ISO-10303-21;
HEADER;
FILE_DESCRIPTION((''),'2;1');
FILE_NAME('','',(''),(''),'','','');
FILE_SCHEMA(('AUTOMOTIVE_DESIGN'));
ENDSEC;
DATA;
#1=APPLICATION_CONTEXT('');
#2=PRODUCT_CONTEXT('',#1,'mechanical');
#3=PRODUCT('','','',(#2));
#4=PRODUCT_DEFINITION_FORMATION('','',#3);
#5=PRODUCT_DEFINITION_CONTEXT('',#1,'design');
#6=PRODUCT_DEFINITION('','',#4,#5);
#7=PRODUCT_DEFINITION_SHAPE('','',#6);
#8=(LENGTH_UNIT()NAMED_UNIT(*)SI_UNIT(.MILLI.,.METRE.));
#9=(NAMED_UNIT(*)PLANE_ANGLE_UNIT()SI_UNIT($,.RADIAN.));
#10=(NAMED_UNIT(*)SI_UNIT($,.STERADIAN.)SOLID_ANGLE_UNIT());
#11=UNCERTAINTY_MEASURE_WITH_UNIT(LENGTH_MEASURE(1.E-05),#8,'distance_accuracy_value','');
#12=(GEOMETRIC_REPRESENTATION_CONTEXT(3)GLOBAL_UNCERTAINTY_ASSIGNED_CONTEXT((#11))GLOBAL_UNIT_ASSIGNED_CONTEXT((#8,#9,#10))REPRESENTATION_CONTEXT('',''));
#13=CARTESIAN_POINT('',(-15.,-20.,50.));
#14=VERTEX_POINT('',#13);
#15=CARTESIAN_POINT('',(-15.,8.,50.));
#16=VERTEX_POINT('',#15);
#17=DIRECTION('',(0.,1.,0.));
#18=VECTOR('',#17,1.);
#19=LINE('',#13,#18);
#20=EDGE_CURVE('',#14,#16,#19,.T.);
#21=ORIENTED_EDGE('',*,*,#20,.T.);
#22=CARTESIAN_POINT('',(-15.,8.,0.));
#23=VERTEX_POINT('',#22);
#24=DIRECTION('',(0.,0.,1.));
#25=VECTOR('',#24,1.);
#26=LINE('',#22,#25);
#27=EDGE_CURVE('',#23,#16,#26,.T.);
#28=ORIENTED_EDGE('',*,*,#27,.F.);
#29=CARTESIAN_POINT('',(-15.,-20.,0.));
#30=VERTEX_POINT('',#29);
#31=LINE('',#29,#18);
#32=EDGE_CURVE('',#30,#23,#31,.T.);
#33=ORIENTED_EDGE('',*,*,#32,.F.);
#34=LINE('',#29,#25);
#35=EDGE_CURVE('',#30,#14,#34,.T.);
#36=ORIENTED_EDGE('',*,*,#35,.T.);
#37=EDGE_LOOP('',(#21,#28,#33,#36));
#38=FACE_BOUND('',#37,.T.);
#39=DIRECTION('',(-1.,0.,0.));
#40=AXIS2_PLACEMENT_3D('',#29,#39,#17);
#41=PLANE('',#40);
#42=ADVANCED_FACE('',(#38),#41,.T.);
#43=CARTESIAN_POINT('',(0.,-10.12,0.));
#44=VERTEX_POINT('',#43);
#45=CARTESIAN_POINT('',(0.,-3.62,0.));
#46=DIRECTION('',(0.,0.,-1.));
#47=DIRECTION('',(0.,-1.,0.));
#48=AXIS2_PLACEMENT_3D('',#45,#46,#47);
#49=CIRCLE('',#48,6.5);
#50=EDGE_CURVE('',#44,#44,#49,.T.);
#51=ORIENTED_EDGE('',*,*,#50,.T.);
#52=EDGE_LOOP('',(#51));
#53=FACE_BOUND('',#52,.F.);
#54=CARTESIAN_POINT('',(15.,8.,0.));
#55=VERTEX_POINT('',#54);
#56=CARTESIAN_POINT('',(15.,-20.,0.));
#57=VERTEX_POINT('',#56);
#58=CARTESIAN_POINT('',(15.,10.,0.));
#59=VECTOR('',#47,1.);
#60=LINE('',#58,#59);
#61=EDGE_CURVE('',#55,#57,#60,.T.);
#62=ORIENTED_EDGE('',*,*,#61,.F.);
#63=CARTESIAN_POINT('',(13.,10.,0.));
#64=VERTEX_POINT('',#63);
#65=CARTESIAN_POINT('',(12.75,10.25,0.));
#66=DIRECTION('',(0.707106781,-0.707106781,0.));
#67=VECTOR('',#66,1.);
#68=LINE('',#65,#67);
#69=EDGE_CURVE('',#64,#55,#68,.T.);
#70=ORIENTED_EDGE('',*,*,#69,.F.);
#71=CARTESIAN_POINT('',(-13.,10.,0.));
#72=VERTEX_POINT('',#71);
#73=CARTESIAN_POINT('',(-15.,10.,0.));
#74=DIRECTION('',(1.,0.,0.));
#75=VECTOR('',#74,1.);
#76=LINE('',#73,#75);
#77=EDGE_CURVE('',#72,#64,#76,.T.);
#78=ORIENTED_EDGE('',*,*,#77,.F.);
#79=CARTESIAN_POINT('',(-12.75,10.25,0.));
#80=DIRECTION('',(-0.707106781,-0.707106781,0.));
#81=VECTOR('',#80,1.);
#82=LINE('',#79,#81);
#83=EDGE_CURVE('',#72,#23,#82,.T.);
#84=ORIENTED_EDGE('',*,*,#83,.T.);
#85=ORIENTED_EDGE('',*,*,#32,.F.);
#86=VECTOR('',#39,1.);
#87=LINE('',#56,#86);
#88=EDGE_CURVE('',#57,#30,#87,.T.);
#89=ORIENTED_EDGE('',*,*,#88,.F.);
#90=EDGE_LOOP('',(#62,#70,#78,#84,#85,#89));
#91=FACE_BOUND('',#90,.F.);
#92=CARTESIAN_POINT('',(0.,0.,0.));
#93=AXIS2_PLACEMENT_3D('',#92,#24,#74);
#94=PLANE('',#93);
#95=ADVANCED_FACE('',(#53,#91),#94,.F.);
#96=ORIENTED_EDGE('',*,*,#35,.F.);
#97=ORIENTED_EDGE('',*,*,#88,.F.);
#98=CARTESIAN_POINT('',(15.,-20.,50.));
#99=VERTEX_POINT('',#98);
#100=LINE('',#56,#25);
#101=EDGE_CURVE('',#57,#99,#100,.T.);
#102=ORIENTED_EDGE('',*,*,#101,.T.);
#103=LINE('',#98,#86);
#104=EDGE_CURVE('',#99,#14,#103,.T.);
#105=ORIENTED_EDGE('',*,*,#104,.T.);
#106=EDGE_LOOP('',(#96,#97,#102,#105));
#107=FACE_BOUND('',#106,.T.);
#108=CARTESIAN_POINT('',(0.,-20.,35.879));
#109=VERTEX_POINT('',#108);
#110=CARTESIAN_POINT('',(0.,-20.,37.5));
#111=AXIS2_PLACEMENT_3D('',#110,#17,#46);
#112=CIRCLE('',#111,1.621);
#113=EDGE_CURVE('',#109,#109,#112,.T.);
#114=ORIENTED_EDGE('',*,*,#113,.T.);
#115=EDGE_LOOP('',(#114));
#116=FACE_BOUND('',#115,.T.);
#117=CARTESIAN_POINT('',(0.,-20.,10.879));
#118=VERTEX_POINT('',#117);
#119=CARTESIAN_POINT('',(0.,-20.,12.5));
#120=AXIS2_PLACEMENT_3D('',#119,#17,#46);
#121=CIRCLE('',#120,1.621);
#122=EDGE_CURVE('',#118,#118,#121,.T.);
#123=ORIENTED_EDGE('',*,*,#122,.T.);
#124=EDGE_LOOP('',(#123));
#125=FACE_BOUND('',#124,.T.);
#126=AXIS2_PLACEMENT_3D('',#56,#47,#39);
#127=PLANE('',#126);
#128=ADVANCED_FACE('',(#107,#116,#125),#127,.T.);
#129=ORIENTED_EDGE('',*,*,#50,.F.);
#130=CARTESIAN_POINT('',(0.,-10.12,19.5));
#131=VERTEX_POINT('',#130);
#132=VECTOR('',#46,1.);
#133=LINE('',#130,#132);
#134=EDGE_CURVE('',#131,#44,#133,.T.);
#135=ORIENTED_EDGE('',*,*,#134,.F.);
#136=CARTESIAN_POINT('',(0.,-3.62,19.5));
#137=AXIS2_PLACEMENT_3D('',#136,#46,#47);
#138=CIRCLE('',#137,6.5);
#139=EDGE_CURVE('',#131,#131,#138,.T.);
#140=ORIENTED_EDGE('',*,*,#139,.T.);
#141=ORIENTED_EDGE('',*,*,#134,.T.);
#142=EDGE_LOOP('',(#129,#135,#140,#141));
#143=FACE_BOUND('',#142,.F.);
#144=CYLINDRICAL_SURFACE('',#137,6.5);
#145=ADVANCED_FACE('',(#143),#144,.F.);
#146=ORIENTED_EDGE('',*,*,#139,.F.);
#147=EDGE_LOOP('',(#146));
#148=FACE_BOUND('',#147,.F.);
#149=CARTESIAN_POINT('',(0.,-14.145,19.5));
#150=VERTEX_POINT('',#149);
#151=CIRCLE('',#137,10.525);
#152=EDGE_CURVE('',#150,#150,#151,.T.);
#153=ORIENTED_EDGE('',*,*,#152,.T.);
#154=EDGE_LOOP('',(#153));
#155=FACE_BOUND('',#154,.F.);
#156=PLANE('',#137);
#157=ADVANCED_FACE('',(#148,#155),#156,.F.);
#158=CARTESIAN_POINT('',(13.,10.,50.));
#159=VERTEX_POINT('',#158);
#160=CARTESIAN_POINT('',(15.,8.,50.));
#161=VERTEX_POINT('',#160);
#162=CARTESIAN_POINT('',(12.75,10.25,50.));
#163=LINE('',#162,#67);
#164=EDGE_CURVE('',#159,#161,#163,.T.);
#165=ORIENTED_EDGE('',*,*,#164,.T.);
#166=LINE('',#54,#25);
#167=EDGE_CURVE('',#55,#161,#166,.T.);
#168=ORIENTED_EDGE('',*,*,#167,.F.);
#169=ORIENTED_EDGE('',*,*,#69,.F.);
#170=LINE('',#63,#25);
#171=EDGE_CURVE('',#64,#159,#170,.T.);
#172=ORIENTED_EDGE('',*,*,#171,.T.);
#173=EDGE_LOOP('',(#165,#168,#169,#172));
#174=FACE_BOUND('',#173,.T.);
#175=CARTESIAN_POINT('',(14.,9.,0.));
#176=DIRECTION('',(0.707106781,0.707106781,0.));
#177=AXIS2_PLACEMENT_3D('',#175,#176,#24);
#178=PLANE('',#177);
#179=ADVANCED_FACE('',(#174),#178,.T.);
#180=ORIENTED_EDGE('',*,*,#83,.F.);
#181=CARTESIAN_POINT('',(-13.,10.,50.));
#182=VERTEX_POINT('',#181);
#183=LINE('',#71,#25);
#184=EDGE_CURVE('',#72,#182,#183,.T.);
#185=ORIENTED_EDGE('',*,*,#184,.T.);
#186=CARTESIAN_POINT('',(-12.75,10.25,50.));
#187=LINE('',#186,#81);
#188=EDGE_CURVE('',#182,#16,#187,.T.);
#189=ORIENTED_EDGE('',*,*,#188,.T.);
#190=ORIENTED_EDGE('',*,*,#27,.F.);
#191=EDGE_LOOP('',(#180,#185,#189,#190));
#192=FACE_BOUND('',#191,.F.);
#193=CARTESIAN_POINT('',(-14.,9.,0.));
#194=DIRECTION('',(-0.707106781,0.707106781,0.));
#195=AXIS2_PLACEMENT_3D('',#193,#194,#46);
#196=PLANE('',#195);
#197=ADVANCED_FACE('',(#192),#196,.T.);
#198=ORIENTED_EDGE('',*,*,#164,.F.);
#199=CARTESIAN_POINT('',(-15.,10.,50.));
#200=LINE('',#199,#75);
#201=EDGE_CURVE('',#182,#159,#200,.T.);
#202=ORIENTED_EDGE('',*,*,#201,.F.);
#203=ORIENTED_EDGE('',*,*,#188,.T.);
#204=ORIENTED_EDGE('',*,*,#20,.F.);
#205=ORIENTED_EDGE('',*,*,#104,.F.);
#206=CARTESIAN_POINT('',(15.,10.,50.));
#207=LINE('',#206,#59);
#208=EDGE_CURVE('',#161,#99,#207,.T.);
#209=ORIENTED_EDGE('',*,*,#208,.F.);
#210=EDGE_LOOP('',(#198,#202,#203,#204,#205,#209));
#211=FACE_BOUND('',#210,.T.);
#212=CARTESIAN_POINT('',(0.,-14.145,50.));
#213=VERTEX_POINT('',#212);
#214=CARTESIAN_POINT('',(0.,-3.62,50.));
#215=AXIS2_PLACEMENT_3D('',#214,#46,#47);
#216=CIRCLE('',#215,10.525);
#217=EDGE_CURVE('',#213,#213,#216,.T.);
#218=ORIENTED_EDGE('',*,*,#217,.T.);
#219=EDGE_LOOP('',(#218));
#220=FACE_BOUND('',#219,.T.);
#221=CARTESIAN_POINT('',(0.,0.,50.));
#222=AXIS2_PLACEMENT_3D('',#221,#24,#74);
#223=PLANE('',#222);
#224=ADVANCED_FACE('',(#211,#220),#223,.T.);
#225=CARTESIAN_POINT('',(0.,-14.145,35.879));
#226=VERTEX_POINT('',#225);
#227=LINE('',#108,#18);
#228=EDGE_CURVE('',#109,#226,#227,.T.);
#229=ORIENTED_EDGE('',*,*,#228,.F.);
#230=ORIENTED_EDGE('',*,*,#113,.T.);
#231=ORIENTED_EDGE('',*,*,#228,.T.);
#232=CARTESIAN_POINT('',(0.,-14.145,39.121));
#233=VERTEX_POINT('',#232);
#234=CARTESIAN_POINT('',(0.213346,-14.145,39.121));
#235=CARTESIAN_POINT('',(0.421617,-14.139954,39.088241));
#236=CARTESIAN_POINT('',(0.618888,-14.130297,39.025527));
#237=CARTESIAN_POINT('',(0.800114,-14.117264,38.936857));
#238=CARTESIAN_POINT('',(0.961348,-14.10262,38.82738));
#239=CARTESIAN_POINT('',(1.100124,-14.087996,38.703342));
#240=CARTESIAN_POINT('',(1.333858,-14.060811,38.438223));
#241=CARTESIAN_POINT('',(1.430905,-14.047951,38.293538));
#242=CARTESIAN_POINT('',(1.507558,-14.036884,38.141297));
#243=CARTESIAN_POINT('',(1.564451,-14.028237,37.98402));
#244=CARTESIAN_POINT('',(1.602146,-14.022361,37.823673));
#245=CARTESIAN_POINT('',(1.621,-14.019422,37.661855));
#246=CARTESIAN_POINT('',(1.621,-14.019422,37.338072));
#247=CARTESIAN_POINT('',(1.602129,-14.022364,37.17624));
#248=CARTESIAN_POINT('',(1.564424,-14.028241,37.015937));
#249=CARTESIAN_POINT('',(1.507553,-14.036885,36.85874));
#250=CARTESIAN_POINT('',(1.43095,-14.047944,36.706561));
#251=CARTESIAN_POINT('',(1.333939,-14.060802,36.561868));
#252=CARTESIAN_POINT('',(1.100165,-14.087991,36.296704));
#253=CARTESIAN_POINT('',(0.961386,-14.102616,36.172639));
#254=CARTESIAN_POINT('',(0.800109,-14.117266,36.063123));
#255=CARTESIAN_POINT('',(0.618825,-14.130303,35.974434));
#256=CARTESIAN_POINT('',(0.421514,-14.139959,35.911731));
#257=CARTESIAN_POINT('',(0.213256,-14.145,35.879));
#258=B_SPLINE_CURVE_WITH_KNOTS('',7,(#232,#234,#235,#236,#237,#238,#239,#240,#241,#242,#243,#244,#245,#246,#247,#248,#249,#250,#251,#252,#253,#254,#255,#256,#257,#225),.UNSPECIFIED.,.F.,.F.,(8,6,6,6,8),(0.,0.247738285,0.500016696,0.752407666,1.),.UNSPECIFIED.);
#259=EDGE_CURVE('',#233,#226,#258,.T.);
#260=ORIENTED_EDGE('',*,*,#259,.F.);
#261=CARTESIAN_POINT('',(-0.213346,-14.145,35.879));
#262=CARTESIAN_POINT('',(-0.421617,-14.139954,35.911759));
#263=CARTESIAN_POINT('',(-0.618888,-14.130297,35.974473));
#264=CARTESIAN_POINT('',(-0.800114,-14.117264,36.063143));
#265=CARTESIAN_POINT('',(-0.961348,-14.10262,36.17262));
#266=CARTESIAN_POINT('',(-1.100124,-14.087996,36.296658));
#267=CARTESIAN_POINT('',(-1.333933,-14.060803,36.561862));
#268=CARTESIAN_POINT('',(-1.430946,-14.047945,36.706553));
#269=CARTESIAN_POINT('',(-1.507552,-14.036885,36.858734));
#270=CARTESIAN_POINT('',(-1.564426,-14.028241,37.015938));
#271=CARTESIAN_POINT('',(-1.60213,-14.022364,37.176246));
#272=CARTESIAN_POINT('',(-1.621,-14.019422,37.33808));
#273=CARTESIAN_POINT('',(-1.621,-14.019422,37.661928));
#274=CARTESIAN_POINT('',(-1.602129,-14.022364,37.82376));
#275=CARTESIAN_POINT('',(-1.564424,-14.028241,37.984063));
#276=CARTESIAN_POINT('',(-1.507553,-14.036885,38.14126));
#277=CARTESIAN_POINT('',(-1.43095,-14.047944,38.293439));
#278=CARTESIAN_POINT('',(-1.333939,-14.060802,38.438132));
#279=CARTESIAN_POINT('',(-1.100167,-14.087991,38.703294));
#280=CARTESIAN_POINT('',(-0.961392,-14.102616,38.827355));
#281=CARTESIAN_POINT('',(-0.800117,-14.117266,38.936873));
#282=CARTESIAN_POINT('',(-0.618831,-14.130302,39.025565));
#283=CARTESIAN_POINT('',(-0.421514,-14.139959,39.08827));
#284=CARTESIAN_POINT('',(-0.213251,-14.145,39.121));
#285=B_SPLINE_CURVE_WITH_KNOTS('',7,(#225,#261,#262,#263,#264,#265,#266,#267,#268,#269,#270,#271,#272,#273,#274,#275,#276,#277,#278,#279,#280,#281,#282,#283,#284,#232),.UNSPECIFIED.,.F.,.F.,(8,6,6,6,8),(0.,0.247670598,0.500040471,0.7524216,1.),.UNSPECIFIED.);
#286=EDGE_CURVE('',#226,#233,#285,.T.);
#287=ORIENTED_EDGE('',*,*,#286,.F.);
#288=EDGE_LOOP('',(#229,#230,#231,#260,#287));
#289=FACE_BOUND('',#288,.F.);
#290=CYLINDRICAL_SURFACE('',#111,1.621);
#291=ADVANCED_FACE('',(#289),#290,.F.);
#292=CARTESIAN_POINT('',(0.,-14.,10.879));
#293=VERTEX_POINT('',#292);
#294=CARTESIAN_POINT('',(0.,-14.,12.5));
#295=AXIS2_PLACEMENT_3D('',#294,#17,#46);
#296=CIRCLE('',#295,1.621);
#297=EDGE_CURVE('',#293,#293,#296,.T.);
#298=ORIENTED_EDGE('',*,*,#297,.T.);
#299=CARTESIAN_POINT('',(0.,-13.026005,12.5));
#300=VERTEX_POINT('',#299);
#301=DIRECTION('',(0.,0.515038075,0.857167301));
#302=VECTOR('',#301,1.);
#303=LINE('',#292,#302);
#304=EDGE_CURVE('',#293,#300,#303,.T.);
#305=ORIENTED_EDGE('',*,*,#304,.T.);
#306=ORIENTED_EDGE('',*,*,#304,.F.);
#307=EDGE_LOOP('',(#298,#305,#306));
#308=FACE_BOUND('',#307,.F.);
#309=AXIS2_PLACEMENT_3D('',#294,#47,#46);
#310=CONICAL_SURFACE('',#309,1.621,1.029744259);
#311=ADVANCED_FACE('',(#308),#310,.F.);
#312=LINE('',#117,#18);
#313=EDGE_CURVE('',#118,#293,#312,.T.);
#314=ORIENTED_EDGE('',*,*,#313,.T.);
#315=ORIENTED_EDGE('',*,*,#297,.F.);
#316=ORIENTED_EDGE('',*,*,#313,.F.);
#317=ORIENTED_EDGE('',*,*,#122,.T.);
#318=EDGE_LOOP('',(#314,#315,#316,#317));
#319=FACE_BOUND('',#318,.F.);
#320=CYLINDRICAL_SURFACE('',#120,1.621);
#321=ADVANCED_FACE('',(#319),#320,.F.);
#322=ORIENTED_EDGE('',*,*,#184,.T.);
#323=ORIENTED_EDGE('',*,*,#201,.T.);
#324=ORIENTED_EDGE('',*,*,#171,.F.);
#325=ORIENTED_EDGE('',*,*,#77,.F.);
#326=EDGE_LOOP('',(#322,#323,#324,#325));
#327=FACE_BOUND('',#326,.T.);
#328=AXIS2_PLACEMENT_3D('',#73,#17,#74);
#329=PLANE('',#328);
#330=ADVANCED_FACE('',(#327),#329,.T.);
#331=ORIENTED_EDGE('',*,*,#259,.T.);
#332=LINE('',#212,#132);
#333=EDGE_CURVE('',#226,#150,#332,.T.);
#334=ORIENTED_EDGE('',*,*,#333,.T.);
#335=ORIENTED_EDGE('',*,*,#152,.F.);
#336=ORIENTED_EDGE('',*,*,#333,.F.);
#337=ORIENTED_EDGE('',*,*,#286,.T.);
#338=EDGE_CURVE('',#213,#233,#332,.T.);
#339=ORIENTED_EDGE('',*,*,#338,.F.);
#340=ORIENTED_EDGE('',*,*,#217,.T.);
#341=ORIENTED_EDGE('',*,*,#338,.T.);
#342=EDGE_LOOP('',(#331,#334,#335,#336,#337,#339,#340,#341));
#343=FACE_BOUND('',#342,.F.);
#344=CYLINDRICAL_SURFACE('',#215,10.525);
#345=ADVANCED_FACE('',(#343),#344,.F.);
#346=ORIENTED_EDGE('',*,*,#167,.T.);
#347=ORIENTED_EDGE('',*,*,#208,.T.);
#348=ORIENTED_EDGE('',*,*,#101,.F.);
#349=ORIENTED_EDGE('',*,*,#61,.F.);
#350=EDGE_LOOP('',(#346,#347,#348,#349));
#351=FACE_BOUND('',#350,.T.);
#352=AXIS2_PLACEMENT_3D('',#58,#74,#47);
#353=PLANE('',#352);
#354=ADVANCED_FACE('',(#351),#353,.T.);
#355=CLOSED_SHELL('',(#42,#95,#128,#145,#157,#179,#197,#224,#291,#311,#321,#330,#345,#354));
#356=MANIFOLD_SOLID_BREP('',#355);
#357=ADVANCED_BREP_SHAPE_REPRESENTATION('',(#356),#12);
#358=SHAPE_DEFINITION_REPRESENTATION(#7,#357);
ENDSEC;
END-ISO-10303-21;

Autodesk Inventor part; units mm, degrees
ref_plane "YZ Plane" through (0, 0, 0) normal (1, 0, 0) x (0, 1, 0)
ref_plane "XZ Plane" through (0, 0, 0) normal (0, 1, 0) x (-1, 0, 0)
ref_plane "XY Plane" through (0, 0, 0) normal (0, 0, 1) x (1, 0, 0)
sketch "Esboço2" plane through (0, 0, 0) normal (0, 0, 1) x (1, 0, 0)
  line L0 (-15, 10) -> (15, 10)
  line L1 (15, 10) -> (15, -20)
  line L2 (15, -20) -> (-15, -20)
  line L3 (-15, -20) -> (-15, 10)
  line L4 (-15, 10) -> (15, -20) construction
  line L5 (15, 10) -> (-15, -20) construction
  point P0 (0, -5)
  dimension "d10" = 30
  dimension "d11" = 30
extrude "Extrusão1" add sketch "Esboço2" along normal blind 50
sketch "Esboço3" plane through (0, 0, 50) normal (0, 0, 1) x (1, 0, 0)
  line L0 (15, 10) -> (-15, 10) projected
  line L1 (0, 10) -> (0, -3.62)
  circle A0 centre (0, -3.62) radius 10.5
  point P0 (0, 0)
  dimension "d14" = 13.62
  dimension "d15" = 21
hole "Furo1" at (0, -3.62, 50) direction (0, 0, -1) diameter 13 end through all counterbore diameter 21.05 counterbore depth 30.5
sketch "Esboço4" plane through (-15, -20, 0) normal (0, -1, 0) x (1, 0, 0)
  line L0 (15, 0) -> (15, 50)
  line L1 (30, 50) -> (0, 50) projected
  circle A0 centre (15, 12.5) radius 1.6056 construction
  circle A1 centre (15, 37.5) radius 1.4692 construction
  line L2 (0, 0) -> (0, 50) construction
  line L3 (0, 25) -> (30, 25) construction
  line L4 (30, 0) -> (30, 50) construction
  dimension "d23" = 12.5
  dimension "d24" = 12.5
hole "Furo2" at (0, -20, 12.5) at (0, -20, 37.5) direction (0, 1, 0) diameter 3.242 depth 6 tip angle 118 thread size "M4x0.7" class "6H" standard "ANSI Metric M Profile"
chamfer "Chanfro1" distance 2 angle 45 2 edges at (15, 10, 25) (-15, 10, 25)
properties part number "blocoSuporteRolamentos"
